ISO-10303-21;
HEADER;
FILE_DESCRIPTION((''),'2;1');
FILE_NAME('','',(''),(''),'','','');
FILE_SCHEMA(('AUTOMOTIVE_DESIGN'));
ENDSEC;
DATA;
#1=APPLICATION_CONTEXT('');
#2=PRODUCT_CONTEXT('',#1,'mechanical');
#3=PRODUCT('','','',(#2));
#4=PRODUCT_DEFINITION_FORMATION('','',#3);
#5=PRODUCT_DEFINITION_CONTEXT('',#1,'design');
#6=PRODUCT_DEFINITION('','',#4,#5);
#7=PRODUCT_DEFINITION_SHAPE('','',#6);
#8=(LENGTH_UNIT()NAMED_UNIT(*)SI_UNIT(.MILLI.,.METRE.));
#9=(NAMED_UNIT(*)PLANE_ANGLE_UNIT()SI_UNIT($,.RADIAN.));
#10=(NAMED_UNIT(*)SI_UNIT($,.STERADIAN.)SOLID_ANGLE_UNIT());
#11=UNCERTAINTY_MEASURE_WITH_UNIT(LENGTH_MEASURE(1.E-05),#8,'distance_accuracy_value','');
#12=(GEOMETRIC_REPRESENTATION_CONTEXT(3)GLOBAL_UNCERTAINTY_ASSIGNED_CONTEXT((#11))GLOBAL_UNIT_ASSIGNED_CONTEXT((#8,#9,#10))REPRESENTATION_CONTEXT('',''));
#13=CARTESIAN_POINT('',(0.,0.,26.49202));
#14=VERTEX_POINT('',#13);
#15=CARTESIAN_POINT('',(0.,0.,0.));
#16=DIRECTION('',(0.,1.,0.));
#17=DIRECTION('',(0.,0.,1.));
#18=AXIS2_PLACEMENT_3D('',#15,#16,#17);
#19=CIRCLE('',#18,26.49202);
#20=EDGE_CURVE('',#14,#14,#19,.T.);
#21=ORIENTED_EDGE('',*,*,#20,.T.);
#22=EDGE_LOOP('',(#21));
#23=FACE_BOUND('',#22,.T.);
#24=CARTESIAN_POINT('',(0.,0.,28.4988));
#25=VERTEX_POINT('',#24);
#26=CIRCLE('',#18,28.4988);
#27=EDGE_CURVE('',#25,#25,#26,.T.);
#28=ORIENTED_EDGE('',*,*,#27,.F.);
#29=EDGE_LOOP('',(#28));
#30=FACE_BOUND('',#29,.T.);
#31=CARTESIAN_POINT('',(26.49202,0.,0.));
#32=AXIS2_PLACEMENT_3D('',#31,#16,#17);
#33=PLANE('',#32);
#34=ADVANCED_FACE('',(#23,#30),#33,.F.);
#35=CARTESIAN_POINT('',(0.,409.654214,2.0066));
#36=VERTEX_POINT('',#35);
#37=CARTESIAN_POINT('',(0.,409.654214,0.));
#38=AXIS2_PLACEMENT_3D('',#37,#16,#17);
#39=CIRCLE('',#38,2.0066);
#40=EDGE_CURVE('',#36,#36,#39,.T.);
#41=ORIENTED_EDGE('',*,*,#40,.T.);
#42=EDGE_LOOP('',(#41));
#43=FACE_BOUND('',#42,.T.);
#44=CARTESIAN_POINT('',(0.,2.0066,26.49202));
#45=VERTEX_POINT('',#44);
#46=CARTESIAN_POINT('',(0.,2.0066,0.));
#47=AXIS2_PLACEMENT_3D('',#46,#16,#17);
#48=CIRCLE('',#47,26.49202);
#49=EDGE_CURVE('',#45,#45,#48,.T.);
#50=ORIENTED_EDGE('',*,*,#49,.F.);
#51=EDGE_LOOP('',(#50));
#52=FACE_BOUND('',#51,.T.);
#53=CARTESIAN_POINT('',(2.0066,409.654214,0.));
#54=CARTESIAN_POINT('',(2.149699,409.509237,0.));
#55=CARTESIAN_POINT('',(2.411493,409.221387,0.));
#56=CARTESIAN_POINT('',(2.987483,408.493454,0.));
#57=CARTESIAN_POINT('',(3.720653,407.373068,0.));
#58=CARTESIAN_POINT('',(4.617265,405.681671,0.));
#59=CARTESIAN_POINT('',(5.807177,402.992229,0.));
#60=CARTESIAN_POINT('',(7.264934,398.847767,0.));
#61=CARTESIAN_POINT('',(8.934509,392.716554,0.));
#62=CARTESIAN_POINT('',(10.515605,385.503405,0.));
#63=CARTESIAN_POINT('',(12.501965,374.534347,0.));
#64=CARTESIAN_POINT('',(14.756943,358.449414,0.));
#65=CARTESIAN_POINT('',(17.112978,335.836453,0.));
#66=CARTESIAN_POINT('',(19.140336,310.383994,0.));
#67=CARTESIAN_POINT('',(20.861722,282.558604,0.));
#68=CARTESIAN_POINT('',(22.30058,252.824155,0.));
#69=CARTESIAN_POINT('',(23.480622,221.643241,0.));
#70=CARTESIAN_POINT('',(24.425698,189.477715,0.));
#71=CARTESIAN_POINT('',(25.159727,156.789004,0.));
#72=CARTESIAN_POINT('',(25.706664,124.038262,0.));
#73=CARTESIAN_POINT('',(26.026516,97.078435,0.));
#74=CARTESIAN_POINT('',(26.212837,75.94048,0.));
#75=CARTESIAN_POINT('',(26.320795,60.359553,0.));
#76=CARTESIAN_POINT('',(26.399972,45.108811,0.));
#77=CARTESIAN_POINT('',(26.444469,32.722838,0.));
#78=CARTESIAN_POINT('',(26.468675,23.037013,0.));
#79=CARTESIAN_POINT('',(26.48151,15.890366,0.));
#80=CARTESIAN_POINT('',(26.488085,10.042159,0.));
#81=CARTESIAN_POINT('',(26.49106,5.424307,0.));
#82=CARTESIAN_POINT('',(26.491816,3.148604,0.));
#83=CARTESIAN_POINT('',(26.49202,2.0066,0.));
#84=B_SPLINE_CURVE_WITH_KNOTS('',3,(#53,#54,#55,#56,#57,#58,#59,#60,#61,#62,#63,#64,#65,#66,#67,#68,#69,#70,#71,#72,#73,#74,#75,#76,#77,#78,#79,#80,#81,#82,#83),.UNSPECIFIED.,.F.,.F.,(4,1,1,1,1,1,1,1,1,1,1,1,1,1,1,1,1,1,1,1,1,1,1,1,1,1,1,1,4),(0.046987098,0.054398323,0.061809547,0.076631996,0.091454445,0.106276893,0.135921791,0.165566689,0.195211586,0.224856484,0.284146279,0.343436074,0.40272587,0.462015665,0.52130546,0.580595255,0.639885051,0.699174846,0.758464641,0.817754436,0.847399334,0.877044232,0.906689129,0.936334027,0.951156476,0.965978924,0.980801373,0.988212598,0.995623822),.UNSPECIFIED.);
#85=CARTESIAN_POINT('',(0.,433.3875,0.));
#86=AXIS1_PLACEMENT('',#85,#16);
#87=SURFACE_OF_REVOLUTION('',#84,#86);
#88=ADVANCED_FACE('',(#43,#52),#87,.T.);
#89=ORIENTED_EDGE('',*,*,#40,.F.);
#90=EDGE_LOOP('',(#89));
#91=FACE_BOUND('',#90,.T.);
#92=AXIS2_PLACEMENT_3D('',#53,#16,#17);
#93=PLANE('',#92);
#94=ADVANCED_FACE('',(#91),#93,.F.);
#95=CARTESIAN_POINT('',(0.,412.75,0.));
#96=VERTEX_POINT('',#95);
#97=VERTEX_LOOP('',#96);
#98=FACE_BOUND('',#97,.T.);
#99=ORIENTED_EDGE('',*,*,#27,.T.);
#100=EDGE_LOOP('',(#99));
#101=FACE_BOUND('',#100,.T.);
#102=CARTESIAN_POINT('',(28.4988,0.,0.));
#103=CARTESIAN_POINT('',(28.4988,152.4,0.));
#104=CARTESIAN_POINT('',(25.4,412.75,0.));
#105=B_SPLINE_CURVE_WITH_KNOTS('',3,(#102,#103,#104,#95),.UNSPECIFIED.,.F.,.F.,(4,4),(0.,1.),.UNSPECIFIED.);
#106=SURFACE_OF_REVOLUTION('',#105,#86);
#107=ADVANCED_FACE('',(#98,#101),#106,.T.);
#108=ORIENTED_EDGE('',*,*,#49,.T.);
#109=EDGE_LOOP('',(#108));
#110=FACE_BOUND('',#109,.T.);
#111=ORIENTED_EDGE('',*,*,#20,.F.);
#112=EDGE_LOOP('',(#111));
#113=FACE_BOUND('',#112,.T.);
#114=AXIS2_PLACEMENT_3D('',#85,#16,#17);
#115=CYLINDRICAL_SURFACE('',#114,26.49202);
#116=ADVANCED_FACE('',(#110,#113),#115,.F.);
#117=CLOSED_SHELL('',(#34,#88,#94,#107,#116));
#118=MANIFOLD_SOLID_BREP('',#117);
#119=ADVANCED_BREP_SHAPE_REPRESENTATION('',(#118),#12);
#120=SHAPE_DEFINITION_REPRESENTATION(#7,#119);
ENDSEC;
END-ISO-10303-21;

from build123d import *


with BuildPart() as part:
    # Sketch1 → Revolve1 (revolve)
    with BuildSketch(Plane.XY):
        with BuildLine():
            Line((0, 409.654213515), (0, 412.75))
            add(Edge.make_bspline(
                [(0, 412.75), (25.4, 412.75), (28.4988, 152.4), (28.4988, 0)],
                knots=[0, 0, 0, 0, 1, 1, 1, 1], degree=3))
            Line((28.4988, 0), (26.492020388, 0))
            Line((26.492020388, 0), (26.492020388, 2.0066))
            add(Edge.make_bspline(
                [(2.0066, 409.654213515), (2.149698713, 409.509236806), (2.411493219, 409.221386571), (2.987482883, 408.493454054), (3.720652511, 407.373068114), (4.617264726, 405.681670707), (5.807176946, 402.992229452), (7.264933842, 398.847767212), (8.934508891, 392.716553913), (10.515604876, 385.503405124), (12.501965167, 374.534347284), (14.756942944, 358.449413562), (17.112977898, 335.836453156), (19.140335864, 310.383994181), (20.861721564, 282.558603797), (22.300580339, 252.824154762), (23.480622222, 221.643240653), (24.425698158, 189.477715276), (25.159726589, 156.789003641), (25.706663736, 124.038262208), (26.026516367, 97.078434559), (26.212836501, 75.940480163), (26.320795213, 60.359552642), (26.399972351, 45.108810839), (26.444468814, 32.722838088), (26.468675418, 23.037013311), (26.481510324, 15.89036591), (26.48808469, 10.042159304), (26.491060195, 5.424306994), (26.491815656, 3.148604334), (26.492020388, 2.0066)],
                knots=[0.046987098, 0.046987098, 0.046987098, 0.046987098, 0.054398323, 0.061809547, 0.076631996, 0.091454445, 0.106276893, 0.135921791, 0.165566689, 0.195211586, 0.224856484, 0.284146279, 0.343436074, 0.40272587, 0.462015665, 0.52130546, 0.580595255, 0.639885051, 0.699174846, 0.758464641, 0.817754436, 0.847399334, 0.877044232, 0.906689129, 0.936334027, 0.951156476, 0.965978924, 0.980801373, 0.988212598, 0.995623822, 0.995623822, 0.995623822, 0.995623822], degree=3))
            Line((2.0066, 409.654213515), (0, 409.654213515))
        make_face()
    revolve(axis=Axis((0, 433.3875, 0), (0, -1, 0)))


solid = part.part
